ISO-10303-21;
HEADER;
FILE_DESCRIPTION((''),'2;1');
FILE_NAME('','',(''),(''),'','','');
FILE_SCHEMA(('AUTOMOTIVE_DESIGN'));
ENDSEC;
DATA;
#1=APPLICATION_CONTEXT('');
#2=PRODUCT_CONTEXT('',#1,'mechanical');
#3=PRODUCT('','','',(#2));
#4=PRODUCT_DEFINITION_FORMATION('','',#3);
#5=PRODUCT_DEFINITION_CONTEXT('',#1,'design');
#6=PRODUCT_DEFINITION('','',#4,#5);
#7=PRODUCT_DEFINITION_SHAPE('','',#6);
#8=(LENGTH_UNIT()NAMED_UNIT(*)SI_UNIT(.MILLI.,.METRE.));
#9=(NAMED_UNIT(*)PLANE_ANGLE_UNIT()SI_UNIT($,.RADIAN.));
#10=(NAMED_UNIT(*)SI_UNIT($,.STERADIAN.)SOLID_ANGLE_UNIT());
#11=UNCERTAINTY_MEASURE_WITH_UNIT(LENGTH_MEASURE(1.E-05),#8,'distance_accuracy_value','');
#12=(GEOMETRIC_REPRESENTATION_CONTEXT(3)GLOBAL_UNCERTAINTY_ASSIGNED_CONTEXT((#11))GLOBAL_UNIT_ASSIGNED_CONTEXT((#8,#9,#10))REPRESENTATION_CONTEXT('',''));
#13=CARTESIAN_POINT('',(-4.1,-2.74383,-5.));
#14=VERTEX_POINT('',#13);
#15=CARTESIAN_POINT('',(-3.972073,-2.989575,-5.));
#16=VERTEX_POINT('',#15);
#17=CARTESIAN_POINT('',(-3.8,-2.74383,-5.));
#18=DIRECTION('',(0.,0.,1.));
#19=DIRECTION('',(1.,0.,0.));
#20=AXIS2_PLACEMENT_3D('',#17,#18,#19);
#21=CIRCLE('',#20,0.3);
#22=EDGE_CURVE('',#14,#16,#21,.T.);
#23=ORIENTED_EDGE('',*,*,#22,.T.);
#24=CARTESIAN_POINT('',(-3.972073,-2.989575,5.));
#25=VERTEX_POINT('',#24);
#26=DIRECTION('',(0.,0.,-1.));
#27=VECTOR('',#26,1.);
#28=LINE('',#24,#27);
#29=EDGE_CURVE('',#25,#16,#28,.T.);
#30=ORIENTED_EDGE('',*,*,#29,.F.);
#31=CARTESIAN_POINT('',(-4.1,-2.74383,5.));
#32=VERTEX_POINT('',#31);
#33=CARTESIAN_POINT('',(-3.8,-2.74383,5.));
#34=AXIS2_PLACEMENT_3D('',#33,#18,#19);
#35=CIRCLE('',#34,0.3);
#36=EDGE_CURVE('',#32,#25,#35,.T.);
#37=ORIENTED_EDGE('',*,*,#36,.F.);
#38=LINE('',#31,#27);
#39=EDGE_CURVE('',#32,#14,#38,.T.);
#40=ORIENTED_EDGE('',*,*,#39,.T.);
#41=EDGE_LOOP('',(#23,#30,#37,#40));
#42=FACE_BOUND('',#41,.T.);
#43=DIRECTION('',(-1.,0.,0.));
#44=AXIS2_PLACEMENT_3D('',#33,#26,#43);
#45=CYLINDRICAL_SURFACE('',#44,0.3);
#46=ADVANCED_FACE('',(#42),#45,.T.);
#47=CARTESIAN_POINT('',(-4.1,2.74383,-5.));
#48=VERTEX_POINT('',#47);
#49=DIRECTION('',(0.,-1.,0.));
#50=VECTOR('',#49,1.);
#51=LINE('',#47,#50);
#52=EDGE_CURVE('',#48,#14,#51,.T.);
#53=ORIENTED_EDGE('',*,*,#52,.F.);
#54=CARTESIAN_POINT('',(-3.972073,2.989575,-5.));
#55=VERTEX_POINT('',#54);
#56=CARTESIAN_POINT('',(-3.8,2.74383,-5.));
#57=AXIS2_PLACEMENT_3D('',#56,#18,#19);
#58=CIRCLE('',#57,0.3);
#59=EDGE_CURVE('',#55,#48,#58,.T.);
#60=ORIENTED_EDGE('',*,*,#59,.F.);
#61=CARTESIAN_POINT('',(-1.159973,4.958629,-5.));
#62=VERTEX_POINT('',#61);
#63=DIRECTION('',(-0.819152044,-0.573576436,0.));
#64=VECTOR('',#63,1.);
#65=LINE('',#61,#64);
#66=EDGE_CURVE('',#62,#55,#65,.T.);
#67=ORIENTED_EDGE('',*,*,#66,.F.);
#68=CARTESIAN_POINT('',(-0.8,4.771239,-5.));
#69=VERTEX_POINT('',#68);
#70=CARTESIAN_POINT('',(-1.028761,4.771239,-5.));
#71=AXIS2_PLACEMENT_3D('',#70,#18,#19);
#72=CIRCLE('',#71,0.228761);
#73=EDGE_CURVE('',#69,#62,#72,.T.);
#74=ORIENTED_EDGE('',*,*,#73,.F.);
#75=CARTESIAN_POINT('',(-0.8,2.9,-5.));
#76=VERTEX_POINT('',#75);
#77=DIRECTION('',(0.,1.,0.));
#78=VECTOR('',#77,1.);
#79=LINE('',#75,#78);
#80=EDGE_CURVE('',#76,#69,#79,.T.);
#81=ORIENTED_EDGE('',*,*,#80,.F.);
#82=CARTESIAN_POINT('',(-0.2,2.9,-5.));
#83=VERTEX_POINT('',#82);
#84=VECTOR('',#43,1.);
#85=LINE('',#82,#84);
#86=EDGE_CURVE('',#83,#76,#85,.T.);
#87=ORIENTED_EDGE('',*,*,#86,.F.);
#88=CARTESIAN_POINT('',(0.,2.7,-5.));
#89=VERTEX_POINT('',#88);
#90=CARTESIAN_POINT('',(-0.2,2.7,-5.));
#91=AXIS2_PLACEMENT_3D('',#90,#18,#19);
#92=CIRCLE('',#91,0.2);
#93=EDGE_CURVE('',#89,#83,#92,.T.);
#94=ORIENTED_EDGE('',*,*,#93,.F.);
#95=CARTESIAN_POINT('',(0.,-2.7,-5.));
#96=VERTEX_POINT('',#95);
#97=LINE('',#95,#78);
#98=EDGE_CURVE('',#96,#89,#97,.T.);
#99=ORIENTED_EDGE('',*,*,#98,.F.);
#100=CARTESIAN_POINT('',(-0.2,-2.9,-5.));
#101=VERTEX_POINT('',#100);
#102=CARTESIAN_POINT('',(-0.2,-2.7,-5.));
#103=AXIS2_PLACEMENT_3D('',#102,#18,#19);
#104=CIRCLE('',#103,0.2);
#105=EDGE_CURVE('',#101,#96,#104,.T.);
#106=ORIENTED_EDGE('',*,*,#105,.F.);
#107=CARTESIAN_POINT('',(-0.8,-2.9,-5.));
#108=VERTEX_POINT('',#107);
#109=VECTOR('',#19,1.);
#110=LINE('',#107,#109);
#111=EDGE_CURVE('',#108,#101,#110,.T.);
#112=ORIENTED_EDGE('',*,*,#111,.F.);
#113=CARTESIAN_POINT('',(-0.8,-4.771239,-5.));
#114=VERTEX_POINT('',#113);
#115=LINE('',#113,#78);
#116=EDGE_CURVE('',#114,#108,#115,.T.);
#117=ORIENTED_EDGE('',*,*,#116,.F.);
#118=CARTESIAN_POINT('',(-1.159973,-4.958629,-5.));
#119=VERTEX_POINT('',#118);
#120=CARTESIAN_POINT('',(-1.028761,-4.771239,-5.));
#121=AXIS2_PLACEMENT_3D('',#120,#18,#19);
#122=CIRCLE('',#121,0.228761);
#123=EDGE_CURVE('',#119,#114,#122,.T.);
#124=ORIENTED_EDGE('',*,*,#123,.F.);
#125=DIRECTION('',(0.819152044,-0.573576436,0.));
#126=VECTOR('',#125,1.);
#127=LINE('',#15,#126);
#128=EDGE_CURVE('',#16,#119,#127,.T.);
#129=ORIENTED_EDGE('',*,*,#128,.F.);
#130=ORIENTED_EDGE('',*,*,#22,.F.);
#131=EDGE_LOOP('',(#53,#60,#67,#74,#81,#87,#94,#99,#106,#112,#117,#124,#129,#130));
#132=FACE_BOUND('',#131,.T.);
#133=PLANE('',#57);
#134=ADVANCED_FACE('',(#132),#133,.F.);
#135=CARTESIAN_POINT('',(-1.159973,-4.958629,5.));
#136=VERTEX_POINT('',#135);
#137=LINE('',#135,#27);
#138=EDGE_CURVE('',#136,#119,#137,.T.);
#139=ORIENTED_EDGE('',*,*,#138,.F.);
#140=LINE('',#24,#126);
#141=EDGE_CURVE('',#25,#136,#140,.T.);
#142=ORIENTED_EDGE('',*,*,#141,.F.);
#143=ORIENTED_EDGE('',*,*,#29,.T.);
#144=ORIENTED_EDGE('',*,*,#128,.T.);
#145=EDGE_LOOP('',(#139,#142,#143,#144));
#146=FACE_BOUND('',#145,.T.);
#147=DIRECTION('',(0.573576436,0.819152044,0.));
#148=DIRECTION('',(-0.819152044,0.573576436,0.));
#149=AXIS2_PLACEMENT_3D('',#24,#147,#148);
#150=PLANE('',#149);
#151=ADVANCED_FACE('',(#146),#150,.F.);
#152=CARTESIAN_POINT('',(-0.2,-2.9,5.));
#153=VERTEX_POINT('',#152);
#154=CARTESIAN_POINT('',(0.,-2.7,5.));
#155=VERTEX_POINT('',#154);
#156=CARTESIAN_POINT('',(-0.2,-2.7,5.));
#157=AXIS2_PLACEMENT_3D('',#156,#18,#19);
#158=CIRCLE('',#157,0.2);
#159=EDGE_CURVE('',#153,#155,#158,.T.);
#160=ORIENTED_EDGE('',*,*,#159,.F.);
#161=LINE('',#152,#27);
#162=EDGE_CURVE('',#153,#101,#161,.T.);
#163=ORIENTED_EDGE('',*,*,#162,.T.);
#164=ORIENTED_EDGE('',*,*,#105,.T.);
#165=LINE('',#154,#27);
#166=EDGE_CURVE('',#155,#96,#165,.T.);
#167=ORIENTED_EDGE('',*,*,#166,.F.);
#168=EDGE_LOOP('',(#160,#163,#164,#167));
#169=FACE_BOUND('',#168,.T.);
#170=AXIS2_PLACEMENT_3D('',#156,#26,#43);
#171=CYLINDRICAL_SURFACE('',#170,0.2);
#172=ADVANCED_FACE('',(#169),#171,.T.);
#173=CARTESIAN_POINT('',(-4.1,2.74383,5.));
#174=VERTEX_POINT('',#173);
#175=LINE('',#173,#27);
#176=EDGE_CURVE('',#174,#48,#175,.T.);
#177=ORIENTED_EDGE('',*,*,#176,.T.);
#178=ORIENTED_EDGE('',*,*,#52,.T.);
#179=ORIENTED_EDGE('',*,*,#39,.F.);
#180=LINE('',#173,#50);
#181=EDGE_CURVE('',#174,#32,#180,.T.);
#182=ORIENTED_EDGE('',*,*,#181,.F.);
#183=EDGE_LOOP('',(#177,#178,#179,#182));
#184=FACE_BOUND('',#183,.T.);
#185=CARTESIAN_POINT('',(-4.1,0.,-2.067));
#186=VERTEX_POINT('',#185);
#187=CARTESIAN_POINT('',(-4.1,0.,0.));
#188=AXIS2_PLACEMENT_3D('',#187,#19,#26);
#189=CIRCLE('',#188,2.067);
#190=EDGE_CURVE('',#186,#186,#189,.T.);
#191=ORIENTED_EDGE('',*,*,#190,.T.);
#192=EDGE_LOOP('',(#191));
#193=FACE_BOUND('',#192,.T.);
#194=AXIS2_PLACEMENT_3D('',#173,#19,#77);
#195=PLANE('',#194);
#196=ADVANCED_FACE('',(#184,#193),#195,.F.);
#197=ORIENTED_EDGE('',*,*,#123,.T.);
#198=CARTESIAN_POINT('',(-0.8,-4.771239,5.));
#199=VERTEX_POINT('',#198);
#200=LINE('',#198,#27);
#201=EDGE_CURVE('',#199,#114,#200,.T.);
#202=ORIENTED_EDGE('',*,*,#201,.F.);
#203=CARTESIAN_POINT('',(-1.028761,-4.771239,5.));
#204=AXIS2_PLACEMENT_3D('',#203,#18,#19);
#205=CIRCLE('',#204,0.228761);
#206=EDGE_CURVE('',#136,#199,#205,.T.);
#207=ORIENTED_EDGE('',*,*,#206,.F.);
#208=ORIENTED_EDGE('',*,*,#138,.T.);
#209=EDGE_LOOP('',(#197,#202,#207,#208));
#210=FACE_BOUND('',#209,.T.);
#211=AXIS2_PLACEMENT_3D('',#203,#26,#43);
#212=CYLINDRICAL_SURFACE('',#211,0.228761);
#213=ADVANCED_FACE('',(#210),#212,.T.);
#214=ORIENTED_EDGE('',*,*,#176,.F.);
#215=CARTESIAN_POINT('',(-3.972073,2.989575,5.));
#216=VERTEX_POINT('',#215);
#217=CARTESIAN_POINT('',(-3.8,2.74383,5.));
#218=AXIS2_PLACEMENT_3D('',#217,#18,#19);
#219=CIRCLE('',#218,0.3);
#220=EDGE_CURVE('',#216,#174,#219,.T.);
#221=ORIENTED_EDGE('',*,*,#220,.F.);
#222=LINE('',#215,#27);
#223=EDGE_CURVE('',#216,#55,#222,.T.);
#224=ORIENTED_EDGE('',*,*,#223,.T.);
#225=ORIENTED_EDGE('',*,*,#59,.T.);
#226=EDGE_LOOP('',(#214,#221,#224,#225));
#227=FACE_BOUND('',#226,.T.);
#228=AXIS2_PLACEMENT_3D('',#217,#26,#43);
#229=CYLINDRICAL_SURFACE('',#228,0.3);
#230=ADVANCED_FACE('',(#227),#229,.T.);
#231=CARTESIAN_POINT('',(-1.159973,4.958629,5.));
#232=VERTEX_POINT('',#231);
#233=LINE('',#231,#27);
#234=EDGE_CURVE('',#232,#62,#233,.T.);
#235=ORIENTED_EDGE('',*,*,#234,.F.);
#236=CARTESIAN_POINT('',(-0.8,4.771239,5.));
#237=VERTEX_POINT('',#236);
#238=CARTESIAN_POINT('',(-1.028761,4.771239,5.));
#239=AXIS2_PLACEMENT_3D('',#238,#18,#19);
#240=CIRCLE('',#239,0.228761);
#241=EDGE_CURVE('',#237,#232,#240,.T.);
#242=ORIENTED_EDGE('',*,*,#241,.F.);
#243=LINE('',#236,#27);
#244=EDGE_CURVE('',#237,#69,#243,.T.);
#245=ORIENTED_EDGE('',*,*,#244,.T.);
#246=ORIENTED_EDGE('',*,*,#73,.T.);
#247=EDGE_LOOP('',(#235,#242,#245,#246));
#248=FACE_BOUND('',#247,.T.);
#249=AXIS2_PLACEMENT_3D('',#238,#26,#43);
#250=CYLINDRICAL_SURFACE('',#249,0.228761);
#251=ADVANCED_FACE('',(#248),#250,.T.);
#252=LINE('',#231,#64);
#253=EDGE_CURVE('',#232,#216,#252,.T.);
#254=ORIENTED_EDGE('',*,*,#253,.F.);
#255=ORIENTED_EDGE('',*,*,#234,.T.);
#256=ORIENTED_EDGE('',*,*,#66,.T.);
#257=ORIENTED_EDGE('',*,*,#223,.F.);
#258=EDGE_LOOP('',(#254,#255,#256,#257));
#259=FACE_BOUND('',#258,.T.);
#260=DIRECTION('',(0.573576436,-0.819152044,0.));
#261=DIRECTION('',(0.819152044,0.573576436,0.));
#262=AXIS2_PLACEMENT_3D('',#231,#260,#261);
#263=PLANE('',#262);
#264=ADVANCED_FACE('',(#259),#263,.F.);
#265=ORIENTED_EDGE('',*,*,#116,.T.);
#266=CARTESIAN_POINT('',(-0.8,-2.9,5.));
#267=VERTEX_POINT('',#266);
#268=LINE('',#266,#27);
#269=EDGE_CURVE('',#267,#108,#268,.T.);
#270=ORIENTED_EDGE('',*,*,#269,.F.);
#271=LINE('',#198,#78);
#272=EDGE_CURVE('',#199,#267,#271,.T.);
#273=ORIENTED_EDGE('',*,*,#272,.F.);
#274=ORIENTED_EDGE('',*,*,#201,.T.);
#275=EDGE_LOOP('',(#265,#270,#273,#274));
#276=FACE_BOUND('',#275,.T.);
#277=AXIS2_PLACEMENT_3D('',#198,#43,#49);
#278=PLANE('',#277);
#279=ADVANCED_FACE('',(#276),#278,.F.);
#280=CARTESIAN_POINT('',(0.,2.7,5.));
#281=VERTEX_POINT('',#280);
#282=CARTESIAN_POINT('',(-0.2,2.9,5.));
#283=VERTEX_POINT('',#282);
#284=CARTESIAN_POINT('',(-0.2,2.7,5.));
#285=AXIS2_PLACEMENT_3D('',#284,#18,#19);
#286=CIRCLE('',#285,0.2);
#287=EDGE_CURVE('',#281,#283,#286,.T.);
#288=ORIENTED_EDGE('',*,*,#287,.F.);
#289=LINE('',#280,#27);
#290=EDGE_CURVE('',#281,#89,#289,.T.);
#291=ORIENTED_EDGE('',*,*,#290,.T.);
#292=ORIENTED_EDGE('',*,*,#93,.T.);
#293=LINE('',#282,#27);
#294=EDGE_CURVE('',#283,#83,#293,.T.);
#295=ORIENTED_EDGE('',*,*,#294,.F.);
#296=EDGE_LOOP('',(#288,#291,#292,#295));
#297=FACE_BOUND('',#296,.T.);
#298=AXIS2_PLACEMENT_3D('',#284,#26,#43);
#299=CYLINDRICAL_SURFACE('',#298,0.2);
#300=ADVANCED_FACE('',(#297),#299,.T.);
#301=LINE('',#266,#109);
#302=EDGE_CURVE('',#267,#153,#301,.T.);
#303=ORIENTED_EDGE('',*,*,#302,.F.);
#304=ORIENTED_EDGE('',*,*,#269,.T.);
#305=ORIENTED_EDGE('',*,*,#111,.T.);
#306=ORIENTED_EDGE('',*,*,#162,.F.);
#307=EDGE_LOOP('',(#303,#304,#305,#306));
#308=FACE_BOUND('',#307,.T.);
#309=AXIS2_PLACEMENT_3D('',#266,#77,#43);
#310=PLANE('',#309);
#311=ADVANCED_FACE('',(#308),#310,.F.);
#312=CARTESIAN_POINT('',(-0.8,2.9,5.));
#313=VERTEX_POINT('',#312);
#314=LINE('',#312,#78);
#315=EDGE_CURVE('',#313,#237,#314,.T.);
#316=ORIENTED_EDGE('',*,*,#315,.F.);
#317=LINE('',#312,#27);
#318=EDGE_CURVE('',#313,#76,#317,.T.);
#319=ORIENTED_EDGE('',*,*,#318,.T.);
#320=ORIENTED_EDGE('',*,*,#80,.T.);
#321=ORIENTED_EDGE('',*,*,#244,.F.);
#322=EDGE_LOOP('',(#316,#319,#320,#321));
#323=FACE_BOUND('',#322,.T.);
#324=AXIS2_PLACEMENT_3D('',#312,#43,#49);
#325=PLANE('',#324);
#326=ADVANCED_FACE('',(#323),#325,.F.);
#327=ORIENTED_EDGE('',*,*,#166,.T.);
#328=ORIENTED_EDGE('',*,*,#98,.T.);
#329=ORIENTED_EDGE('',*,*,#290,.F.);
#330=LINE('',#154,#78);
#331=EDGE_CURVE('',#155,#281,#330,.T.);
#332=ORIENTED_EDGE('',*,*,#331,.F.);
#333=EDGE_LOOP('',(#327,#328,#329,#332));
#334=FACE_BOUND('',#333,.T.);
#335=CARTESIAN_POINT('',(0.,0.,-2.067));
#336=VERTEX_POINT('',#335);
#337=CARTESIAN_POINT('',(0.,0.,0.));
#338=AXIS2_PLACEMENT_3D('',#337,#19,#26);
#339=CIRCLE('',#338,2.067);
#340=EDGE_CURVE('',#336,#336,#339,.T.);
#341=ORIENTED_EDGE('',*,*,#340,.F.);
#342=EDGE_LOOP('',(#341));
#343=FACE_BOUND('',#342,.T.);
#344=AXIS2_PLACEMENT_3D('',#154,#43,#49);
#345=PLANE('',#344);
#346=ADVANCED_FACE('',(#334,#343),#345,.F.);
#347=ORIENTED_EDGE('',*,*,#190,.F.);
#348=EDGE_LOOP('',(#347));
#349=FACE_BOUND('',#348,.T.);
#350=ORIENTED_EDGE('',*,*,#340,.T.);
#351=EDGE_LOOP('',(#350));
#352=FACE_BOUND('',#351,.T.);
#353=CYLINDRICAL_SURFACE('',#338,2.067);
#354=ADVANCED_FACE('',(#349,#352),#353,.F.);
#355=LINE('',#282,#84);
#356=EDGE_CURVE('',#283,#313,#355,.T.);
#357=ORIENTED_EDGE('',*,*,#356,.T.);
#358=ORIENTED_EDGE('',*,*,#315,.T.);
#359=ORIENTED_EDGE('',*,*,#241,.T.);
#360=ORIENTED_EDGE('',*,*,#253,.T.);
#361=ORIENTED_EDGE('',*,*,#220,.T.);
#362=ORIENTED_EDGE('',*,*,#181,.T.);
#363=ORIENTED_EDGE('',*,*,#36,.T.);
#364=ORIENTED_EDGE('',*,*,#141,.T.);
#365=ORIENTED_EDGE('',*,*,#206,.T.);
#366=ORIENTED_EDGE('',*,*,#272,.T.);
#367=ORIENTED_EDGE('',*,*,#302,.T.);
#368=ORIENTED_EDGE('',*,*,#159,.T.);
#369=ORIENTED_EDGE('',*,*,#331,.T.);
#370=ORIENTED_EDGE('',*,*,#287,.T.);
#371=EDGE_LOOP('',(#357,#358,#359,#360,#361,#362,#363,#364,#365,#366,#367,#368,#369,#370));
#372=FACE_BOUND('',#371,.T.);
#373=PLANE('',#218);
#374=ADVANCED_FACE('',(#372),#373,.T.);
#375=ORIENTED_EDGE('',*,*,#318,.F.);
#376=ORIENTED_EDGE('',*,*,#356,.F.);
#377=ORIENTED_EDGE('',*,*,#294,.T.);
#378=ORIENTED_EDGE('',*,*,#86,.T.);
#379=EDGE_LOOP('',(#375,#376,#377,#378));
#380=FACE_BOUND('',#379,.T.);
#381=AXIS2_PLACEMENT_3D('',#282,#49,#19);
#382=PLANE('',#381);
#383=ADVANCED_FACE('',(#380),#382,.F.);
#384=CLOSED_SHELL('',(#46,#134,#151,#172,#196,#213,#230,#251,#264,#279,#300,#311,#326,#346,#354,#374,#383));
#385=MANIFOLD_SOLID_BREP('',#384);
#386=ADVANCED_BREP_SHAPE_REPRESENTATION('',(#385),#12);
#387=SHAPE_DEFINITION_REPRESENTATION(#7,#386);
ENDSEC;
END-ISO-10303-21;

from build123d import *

# Parameters (mm, degrees)
BOSS_EXTRUDE1_DEPTH = 5
TAP1_D              = 4.134


with BuildPart() as part:
    # Sketch1 → Boss-Extrude1 (new, symmetric)
    with BuildSketch(Plane.XY):
        with BuildLine():
            Line((-4.1, 2.743829885), (-4.1, -2.743829885))
            ThreePointArc((-4.1, -2.743829885), (-4.06610325, -2.882354469), (-3.972072931, -2.989575498))
            Line((-3.972072931, -2.989575498), (-1.159973062, -4.958629024))
            ThreePointArc((-1.159973062, -4.958629024), (-0.923130974, -4.974152475), (-0.8, -4.771238909))
            Line((-0.8, -4.771238909), (-0.8, -2.9))
            Line((-0.8, -2.9), (-0.2, -2.9))
            ThreePointArc((-0.2, -2.9), (-0.058578644, -2.841421356), (0, -2.7))
            Line((0, -2.7), (0, 2.7))
            ThreePointArc((0, 2.7), (-0.058578644, 2.841421356), (-0.2, 2.9))
            Line((-0.2, 2.9), (-0.8, 2.9))
            Line((-0.8, 2.9), (-0.8, 4.771238909))
            ThreePointArc((-0.8, 4.771238909), (-0.923130974, 4.974152475), (-1.159973062, 4.958629024))
            Line((-1.159973062, 4.958629024), (-3.972072931, 2.989575498))
            ThreePointArc((-3.972072931, 2.989575498), (-4.06610325, 2.882354469), (-4.1, 2.743829885))
        make_face()
    extrude(amount=BOSS_EXTRUDE1_DEPTH, both=True)

    # Tap1 (through all)
    with Locations(Plane(origin=(0, 0, 0), x_dir=(0, 0, -1), z_dir=(1, 0, 0))):
        with Locations((0, 0)):
            Hole(TAP1_D / 2)


solid = part.part
